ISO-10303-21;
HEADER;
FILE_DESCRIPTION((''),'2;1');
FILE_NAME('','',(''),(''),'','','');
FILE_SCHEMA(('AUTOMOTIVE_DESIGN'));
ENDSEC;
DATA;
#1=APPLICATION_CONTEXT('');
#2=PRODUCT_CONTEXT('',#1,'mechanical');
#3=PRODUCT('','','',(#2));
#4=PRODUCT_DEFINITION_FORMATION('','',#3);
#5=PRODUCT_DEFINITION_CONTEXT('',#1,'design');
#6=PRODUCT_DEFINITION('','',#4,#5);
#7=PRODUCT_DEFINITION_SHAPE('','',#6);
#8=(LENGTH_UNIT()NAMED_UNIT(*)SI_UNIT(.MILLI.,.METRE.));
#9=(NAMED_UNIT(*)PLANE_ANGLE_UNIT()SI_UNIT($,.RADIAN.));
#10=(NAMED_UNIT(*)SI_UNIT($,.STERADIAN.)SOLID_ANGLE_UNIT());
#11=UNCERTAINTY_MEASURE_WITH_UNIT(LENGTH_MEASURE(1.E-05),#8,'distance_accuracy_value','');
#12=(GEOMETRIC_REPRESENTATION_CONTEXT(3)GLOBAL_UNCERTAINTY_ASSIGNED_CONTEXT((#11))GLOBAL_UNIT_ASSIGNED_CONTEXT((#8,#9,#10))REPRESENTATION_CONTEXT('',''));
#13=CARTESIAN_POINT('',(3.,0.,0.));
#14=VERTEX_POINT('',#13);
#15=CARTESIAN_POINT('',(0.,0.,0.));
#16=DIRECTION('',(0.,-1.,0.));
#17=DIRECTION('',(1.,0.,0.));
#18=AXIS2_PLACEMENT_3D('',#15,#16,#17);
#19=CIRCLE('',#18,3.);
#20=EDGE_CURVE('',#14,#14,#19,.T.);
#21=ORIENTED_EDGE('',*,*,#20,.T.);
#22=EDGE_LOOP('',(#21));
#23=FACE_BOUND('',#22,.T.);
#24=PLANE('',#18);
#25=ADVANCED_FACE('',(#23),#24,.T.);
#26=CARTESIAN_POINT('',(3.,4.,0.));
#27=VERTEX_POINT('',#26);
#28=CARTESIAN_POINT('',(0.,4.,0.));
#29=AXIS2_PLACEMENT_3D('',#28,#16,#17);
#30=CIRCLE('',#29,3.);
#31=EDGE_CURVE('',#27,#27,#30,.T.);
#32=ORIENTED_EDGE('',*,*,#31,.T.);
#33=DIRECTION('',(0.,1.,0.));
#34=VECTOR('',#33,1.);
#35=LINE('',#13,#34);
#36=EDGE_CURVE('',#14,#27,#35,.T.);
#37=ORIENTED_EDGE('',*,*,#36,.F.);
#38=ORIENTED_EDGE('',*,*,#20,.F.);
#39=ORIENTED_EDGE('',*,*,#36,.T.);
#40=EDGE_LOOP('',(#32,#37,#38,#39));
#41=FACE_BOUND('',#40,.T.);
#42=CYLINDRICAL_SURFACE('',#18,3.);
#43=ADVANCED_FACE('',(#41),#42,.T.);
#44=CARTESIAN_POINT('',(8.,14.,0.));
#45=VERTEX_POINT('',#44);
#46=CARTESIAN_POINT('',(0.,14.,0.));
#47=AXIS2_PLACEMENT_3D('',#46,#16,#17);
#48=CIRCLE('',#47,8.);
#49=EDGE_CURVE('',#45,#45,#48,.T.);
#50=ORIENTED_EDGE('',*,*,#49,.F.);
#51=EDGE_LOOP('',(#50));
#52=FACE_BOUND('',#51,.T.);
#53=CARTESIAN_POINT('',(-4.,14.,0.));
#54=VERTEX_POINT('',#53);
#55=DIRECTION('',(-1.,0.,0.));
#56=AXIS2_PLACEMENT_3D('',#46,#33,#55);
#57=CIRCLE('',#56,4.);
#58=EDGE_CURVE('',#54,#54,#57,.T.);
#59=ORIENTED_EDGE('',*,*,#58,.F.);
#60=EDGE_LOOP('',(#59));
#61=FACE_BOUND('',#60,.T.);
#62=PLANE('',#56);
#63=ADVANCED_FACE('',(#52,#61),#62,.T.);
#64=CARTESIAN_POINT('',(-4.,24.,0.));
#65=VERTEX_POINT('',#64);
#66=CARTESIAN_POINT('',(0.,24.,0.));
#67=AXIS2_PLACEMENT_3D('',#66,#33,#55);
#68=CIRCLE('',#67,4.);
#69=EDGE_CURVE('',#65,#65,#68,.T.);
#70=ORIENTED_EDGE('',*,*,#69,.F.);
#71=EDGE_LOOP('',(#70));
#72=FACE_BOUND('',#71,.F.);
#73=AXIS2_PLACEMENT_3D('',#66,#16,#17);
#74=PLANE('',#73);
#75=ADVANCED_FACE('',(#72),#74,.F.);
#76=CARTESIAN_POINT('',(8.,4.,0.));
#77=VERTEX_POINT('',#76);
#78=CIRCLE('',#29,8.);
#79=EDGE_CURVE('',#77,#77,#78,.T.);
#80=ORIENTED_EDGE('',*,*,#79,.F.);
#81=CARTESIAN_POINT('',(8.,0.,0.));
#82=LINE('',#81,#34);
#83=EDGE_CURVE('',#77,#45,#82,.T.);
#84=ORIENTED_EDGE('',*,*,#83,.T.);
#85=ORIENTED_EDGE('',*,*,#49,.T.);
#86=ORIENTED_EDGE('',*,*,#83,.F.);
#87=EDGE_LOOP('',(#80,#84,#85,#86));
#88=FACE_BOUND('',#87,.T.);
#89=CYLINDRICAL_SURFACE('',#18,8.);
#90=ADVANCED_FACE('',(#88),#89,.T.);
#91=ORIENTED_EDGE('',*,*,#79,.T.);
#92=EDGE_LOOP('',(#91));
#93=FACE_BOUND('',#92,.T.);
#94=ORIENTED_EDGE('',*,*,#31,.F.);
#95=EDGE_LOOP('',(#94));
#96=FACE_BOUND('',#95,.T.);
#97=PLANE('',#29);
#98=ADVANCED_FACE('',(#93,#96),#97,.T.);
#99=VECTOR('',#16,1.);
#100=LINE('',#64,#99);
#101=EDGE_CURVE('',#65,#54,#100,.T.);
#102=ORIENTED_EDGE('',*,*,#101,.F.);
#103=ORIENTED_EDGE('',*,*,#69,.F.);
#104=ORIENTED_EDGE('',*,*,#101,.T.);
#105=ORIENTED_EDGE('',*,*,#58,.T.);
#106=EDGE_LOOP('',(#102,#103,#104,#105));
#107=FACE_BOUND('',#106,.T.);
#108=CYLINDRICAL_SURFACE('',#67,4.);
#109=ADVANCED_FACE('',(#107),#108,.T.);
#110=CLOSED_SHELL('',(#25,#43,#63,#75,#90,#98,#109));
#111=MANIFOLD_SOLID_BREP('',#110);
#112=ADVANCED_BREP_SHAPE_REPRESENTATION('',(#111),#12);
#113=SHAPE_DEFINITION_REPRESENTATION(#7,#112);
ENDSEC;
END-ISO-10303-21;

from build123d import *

# Parameters (mm, degrees)
F0_R     = 8
F1_DEPTH = 24
F2_R     = 12.156752
F2_R_2   = 3
F3_DEPTH = 4
F4_R     = 10.910095
F4_R_2   = 4
F5_DEPTH = 10


with BuildPart() as f1:
    # F0 (on Front) → F1 (new body)
    with BuildSketch(Plane.XZ):
        Circle(F0_R)
    extrude(amount=-F1_DEPTH)

    # F2 (on face) → F3 (cut)
    with BuildSketch(Plane.XZ):
        Circle(F2_R)
        Circle(F2_R_2, mode=Mode.SUBTRACT)
    extrude(amount=-F3_DEPTH, mode=Mode.SUBTRACT)

    # F4 (on face) → F5 (cut)
    with BuildSketch(Plane(origin=(0, 24, 0), x_dir=(-1, 0, 0), z_dir=(0, 1, 0))):
        Circle(F4_R)
        Circle(F4_R_2, mode=Mode.SUBTRACT)
    extrude(amount=-F5_DEPTH, mode=Mode.SUBTRACT)


solid = f1.part
